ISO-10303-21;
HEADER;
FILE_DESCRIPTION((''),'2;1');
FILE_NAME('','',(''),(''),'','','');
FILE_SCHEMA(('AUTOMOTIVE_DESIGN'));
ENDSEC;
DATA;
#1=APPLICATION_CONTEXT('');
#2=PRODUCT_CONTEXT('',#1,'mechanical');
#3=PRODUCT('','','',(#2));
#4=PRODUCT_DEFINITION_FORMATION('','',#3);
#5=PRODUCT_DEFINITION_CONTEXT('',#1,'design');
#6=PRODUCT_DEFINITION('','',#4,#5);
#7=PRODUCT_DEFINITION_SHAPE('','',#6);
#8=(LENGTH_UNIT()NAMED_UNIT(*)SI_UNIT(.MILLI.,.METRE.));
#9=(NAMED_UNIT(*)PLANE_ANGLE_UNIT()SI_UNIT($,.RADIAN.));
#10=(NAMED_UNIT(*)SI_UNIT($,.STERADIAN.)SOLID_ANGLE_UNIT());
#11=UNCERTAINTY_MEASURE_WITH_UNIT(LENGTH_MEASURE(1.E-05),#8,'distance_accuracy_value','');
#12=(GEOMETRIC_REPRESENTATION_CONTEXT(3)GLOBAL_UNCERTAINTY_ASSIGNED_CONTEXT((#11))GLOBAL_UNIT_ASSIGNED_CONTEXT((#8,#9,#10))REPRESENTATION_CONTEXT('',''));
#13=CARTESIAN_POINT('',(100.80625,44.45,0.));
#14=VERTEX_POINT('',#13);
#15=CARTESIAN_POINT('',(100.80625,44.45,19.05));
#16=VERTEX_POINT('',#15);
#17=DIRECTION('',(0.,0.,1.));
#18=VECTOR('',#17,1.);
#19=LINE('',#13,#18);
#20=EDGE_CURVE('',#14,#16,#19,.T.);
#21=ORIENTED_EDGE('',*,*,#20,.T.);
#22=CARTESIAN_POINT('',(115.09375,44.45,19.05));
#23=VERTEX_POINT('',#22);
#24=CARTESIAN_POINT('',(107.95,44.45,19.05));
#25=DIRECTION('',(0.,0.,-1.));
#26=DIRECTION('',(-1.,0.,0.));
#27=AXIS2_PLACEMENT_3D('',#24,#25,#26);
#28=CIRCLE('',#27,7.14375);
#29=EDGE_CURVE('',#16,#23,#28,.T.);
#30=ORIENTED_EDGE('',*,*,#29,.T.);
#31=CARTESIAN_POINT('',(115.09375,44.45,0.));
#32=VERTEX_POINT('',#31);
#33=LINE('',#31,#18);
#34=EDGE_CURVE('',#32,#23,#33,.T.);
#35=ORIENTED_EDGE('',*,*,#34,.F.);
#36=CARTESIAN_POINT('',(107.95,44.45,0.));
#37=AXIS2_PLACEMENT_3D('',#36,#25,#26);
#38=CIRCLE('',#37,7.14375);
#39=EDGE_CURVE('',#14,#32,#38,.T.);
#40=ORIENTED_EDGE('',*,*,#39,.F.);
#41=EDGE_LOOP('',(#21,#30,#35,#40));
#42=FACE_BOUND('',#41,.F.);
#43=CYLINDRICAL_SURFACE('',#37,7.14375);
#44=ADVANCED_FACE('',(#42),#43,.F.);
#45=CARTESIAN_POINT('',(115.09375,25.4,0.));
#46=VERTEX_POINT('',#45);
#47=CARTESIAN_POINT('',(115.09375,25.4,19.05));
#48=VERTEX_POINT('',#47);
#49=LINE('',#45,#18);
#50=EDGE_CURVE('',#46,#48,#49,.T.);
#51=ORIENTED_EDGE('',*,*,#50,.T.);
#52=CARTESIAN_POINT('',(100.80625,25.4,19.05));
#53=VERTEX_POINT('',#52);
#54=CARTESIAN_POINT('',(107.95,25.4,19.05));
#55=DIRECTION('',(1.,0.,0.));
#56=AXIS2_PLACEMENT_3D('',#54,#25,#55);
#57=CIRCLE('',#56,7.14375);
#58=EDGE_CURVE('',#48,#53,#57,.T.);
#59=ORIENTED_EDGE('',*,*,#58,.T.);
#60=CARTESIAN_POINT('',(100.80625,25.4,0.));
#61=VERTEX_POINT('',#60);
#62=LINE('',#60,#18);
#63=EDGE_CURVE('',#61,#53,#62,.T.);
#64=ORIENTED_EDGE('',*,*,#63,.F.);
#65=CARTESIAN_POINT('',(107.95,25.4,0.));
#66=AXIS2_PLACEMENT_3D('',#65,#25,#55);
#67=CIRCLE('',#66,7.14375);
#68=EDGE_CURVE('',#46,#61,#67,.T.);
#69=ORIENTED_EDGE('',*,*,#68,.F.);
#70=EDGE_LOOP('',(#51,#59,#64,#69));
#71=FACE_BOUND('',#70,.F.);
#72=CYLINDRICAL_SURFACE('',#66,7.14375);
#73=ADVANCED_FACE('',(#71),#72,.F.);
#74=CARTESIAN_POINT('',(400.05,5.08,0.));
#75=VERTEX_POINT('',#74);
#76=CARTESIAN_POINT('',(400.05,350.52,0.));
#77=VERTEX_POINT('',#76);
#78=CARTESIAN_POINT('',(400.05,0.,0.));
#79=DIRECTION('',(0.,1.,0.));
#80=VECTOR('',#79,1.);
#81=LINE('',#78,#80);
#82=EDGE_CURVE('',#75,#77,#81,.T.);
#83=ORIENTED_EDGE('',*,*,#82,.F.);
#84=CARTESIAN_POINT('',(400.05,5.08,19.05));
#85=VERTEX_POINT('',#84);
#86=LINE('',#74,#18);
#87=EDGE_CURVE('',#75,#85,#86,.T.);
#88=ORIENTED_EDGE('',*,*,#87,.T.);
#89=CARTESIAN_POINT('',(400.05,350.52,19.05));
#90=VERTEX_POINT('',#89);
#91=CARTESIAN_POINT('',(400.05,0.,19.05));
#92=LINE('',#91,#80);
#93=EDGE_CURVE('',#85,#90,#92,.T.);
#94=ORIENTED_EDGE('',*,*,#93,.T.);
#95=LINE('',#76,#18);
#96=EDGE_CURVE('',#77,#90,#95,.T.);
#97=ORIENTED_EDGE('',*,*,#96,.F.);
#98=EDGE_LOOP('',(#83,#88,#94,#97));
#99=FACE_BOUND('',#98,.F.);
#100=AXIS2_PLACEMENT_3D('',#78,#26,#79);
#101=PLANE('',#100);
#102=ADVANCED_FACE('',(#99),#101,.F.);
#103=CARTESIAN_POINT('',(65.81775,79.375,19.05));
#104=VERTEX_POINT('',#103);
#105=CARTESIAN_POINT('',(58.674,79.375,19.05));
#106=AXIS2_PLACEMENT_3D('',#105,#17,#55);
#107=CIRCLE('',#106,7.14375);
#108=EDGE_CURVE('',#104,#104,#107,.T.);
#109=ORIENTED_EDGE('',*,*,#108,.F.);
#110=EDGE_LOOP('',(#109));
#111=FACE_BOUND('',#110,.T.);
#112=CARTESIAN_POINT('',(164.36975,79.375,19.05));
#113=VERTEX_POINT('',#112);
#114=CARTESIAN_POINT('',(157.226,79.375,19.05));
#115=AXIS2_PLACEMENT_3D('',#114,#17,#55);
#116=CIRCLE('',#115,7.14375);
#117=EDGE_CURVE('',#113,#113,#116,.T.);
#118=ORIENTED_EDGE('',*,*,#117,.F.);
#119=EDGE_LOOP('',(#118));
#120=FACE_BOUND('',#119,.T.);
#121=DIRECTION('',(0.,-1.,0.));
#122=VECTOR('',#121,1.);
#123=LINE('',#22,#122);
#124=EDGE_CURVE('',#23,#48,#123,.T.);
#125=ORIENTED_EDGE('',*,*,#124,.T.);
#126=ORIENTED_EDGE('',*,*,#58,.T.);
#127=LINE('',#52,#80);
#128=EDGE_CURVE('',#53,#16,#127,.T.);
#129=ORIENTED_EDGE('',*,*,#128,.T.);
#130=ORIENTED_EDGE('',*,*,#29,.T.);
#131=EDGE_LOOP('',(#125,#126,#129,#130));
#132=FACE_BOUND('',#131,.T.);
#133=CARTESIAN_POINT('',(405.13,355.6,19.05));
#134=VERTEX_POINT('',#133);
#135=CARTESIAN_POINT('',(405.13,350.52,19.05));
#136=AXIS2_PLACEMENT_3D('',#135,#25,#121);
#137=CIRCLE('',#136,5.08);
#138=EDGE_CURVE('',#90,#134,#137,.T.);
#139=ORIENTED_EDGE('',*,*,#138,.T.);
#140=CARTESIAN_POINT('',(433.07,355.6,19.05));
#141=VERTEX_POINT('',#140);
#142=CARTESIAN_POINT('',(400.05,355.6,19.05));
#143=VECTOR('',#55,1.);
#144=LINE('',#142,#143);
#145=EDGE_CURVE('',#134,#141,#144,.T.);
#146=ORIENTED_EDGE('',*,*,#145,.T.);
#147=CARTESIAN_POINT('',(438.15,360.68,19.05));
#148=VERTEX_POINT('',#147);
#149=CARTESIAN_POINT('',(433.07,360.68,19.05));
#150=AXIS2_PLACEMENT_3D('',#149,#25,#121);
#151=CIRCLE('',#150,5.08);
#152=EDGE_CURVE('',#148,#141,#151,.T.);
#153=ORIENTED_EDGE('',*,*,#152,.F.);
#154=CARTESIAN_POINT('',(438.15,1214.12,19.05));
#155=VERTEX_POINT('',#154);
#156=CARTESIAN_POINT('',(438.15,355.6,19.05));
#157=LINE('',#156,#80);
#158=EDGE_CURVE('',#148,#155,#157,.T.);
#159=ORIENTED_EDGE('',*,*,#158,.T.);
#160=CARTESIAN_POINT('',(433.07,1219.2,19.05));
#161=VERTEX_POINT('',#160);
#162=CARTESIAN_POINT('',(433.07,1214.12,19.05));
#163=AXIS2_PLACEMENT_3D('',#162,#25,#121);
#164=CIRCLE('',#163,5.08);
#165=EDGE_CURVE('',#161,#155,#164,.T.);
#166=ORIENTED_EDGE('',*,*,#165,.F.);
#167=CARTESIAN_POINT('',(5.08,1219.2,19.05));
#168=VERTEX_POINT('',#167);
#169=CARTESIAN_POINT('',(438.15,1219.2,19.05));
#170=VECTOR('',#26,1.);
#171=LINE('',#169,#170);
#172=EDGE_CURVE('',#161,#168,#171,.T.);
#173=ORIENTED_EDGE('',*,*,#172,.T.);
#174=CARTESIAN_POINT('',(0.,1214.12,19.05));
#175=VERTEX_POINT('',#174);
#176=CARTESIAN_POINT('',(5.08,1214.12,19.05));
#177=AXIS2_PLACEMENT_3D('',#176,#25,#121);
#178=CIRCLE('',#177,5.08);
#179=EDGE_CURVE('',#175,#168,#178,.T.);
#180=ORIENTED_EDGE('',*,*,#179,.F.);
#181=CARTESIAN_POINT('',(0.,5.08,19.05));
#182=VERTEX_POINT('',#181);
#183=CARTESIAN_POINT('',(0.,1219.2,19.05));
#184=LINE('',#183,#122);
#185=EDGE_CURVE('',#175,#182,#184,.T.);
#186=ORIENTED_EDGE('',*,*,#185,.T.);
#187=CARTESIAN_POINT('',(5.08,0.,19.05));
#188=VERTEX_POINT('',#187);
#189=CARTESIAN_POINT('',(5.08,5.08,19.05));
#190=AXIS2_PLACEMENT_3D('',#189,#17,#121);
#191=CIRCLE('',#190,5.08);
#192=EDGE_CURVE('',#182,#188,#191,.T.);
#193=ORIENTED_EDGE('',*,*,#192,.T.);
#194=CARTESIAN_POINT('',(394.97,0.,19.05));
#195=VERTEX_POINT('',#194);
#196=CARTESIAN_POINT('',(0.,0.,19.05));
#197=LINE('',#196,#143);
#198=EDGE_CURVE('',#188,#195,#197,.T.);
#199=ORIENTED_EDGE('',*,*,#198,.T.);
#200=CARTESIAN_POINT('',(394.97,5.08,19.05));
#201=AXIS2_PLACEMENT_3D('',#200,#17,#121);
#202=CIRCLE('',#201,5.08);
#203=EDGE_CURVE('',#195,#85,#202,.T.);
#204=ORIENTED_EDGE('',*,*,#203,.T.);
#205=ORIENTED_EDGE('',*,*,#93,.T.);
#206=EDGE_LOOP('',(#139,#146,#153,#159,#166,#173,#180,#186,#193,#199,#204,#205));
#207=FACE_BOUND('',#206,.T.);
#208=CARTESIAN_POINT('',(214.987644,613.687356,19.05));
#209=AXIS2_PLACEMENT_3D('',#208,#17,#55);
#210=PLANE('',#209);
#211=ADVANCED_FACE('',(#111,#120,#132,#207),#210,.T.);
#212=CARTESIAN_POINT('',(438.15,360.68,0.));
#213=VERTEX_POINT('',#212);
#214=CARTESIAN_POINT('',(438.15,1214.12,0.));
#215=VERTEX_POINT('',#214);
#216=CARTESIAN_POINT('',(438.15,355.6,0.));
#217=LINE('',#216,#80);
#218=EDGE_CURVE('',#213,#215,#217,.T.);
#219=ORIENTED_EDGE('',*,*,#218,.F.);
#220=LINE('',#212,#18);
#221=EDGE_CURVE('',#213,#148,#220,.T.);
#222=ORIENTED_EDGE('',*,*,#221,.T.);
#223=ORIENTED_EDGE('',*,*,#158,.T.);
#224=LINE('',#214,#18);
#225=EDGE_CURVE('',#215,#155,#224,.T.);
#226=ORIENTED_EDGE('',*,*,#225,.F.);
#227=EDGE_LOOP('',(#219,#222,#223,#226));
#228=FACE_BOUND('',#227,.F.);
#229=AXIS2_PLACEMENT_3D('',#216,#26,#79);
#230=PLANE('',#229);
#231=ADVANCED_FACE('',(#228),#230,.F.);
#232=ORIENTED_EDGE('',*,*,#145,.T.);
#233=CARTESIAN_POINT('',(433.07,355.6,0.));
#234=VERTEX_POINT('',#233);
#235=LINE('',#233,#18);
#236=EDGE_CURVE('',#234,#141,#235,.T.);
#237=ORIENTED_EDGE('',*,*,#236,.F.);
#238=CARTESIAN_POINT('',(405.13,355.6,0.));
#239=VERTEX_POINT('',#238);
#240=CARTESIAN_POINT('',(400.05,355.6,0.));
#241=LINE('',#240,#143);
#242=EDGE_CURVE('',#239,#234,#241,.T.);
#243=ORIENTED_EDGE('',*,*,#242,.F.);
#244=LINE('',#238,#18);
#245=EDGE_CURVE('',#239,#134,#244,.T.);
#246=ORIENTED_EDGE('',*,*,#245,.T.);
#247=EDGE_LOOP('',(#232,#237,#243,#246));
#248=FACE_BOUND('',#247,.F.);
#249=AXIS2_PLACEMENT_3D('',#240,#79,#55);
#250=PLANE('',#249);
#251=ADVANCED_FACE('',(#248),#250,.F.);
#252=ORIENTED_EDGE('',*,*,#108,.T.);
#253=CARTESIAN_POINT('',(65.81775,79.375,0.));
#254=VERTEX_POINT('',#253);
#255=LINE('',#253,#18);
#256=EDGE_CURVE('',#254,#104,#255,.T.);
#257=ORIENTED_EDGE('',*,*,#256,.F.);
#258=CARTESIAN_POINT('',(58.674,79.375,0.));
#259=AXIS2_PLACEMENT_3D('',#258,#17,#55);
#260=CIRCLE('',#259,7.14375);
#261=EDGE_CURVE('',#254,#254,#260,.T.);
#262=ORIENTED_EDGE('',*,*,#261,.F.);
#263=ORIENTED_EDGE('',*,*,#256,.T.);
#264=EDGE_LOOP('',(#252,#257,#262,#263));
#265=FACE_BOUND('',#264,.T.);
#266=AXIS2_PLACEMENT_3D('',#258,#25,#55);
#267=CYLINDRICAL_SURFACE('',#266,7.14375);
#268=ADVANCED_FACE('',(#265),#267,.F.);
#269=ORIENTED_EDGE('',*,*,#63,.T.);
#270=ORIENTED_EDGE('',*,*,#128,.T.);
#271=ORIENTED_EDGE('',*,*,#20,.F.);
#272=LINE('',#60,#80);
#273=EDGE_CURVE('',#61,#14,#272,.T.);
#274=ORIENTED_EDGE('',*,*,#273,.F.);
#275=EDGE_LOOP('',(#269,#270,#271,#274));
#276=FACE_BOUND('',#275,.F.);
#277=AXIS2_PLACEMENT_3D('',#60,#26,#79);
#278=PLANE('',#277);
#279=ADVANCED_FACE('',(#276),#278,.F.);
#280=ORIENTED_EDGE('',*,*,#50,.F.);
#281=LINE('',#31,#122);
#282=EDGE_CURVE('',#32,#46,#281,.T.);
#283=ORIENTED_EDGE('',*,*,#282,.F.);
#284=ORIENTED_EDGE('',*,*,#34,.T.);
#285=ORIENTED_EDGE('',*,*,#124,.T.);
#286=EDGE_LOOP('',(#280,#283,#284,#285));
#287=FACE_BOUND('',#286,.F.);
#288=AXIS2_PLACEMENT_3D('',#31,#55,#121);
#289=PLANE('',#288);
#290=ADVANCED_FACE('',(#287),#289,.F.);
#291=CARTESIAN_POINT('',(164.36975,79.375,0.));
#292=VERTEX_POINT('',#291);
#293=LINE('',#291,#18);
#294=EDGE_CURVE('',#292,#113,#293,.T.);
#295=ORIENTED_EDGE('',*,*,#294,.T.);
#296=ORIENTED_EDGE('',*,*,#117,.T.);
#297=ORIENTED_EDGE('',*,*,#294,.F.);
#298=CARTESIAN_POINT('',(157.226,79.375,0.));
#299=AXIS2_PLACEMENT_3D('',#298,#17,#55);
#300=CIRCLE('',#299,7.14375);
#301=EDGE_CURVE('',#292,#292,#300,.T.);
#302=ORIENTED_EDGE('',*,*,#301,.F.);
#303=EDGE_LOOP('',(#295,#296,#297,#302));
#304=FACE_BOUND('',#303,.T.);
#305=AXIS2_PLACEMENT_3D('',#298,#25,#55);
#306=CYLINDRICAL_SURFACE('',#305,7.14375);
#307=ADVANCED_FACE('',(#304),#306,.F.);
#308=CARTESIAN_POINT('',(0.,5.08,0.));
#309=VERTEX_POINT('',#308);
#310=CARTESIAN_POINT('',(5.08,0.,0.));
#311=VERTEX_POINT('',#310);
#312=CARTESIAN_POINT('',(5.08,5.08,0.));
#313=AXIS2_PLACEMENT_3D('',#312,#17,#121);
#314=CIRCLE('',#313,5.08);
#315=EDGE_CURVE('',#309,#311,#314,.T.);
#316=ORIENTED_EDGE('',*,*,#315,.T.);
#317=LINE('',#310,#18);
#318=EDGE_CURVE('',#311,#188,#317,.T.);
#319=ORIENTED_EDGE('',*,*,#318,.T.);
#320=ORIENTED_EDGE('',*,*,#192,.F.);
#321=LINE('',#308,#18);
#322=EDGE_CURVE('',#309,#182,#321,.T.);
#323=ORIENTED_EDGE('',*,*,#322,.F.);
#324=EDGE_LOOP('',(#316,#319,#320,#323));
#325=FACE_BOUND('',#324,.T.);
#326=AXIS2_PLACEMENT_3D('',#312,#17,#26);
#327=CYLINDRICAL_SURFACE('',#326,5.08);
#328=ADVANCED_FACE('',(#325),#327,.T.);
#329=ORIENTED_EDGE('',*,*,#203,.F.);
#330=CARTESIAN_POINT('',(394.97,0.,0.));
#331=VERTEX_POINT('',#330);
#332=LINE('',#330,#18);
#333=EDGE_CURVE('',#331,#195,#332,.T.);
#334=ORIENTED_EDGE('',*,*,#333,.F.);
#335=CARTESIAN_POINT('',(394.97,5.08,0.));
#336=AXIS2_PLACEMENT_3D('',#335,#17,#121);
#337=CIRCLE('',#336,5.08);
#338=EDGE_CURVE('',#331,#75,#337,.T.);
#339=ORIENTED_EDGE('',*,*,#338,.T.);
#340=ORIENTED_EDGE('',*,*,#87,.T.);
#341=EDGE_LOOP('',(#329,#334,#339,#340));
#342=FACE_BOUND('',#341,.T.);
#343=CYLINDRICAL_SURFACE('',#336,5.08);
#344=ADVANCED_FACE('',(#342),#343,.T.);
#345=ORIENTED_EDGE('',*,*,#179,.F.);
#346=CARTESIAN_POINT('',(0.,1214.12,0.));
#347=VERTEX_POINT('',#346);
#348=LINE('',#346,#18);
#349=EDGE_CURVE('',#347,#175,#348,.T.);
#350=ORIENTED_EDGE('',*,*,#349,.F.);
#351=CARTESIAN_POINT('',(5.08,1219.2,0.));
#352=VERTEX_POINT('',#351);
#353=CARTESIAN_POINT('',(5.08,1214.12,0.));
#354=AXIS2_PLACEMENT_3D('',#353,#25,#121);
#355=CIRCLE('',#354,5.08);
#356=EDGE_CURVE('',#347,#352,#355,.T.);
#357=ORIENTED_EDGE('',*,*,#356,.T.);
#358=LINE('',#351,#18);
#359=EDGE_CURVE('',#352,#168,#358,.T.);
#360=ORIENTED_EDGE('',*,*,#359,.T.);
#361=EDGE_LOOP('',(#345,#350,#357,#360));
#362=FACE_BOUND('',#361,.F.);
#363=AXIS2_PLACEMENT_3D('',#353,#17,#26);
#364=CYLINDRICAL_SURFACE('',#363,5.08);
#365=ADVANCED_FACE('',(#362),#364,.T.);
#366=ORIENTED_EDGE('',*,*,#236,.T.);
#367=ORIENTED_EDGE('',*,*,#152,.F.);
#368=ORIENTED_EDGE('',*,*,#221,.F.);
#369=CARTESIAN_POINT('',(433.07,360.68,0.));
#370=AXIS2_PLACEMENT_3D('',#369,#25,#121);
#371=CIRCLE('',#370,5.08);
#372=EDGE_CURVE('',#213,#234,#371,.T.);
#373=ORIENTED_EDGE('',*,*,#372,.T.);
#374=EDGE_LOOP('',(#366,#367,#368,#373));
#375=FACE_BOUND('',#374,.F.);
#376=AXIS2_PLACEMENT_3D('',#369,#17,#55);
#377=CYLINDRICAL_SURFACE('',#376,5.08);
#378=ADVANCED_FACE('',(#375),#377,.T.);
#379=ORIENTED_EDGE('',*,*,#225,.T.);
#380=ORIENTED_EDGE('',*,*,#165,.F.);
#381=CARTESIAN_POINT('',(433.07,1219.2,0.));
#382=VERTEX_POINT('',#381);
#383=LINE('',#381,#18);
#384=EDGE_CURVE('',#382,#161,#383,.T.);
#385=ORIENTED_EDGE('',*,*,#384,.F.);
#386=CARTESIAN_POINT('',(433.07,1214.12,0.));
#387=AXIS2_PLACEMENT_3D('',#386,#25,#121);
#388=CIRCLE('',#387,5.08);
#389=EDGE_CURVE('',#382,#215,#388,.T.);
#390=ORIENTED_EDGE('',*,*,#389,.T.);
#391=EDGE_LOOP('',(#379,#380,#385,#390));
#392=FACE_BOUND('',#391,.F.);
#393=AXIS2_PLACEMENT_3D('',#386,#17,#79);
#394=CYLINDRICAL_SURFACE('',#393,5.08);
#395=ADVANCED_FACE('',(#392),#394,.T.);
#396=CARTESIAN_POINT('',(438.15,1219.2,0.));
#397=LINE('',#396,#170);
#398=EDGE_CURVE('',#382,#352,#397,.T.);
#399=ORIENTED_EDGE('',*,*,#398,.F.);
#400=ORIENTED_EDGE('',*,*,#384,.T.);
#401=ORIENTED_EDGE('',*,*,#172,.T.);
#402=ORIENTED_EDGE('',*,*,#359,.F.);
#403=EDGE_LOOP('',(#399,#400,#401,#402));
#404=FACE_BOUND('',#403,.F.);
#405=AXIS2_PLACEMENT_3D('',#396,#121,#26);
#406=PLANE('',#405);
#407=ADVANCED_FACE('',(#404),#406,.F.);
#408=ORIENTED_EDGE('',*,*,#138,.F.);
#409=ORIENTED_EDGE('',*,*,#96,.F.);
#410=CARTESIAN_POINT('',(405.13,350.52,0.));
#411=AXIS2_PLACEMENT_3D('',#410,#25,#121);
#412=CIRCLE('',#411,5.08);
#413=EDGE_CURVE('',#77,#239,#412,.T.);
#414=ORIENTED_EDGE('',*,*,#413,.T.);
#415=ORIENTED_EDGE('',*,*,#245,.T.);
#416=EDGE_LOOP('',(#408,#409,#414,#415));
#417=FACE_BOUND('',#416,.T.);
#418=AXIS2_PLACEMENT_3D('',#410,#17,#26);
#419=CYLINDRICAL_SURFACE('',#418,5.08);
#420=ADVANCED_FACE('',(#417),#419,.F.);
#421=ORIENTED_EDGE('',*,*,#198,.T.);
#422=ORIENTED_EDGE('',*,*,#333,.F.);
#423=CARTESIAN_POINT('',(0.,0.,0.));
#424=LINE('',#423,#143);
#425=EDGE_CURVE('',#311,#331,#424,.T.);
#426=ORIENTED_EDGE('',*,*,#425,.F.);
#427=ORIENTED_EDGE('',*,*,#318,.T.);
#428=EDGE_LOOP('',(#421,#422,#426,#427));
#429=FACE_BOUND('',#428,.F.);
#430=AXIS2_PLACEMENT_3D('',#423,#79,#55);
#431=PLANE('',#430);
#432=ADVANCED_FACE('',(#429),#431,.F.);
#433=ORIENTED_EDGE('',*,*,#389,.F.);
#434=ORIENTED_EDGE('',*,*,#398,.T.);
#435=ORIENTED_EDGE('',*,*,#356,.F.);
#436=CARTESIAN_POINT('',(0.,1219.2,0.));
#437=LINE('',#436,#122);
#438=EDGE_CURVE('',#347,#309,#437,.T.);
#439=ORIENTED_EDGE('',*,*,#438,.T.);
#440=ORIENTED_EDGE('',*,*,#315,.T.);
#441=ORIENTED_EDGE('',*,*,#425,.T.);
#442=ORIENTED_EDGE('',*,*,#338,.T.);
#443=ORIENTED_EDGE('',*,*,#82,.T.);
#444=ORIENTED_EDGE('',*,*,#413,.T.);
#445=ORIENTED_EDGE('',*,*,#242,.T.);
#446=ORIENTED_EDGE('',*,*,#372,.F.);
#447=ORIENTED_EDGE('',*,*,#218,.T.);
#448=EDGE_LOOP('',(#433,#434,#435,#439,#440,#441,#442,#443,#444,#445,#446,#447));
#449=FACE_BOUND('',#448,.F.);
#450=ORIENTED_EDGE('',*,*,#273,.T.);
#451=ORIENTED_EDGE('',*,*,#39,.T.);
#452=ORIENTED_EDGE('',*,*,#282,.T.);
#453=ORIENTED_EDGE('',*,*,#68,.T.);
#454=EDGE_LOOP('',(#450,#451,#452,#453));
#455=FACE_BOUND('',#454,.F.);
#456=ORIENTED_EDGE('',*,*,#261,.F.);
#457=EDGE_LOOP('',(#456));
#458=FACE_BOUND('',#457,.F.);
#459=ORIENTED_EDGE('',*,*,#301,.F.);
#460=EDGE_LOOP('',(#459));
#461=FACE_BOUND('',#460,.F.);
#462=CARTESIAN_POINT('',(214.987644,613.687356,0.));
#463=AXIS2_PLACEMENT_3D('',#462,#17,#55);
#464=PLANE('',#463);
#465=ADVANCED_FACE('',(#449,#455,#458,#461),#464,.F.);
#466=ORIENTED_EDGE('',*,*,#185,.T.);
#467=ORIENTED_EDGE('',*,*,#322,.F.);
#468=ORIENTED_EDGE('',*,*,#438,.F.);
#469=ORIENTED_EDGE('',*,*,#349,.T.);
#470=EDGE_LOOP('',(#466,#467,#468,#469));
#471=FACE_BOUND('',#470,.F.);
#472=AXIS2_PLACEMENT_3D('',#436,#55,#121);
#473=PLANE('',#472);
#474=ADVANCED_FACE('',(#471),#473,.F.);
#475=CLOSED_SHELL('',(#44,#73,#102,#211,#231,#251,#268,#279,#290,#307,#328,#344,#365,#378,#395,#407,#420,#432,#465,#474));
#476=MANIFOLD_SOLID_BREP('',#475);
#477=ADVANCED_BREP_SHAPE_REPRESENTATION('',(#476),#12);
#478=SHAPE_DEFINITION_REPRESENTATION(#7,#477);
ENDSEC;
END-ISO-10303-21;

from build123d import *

# Parameters (mm, degrees)
F0_R     = 7.14375
F1_DEPTH = 19.05
F2_R     = 5.08


with BuildPart() as f1:
    # F0 (on Top) → F1 (new body)
    with BuildSketch(Plane.XY):
        Polygon((0, 1219.2), (0, 0), (400.05, 0), (400.05, 355.6), (438.15, 355.6), (438.15, 1219.2), align=None)
        with BuildLine():
            Line((115.09375, 44.45), (115.09375, 25.4))
            ThreePointArc((115.09375, 25.4), (107.95, 18.25625), (100.80625, 25.4))
            Line((100.80625, 25.4), (100.80625, 44.45))
            ThreePointArc((100.80625, 44.45), (107.95, 51.59375), (115.09375, 44.45))
        make_face(mode=Mode.SUBTRACT)
        with Locations((58.674, 79.375)):
            Circle(F0_R, mode=Mode.SUBTRACT)
        with Locations((157.226, 79.375)):
            Circle(F0_R, mode=Mode.SUBTRACT)
    extrude(amount=F1_DEPTH)

    # F2
    f2_edges = [f1.edges().sort_by_distance(p)[0] for p in [
        (0, 1219.2, 9.525),
        (0, 0, 9.525),
        (438.15, 355.6, 9.525),
        (400.05, 0, 9.525),
        (400.05, 355.6, 9.525),
        (438.15, 1219.2, 9.525),
    ]]
    fillet(f2_edges, radius=F2_R)


solid = f1.part
